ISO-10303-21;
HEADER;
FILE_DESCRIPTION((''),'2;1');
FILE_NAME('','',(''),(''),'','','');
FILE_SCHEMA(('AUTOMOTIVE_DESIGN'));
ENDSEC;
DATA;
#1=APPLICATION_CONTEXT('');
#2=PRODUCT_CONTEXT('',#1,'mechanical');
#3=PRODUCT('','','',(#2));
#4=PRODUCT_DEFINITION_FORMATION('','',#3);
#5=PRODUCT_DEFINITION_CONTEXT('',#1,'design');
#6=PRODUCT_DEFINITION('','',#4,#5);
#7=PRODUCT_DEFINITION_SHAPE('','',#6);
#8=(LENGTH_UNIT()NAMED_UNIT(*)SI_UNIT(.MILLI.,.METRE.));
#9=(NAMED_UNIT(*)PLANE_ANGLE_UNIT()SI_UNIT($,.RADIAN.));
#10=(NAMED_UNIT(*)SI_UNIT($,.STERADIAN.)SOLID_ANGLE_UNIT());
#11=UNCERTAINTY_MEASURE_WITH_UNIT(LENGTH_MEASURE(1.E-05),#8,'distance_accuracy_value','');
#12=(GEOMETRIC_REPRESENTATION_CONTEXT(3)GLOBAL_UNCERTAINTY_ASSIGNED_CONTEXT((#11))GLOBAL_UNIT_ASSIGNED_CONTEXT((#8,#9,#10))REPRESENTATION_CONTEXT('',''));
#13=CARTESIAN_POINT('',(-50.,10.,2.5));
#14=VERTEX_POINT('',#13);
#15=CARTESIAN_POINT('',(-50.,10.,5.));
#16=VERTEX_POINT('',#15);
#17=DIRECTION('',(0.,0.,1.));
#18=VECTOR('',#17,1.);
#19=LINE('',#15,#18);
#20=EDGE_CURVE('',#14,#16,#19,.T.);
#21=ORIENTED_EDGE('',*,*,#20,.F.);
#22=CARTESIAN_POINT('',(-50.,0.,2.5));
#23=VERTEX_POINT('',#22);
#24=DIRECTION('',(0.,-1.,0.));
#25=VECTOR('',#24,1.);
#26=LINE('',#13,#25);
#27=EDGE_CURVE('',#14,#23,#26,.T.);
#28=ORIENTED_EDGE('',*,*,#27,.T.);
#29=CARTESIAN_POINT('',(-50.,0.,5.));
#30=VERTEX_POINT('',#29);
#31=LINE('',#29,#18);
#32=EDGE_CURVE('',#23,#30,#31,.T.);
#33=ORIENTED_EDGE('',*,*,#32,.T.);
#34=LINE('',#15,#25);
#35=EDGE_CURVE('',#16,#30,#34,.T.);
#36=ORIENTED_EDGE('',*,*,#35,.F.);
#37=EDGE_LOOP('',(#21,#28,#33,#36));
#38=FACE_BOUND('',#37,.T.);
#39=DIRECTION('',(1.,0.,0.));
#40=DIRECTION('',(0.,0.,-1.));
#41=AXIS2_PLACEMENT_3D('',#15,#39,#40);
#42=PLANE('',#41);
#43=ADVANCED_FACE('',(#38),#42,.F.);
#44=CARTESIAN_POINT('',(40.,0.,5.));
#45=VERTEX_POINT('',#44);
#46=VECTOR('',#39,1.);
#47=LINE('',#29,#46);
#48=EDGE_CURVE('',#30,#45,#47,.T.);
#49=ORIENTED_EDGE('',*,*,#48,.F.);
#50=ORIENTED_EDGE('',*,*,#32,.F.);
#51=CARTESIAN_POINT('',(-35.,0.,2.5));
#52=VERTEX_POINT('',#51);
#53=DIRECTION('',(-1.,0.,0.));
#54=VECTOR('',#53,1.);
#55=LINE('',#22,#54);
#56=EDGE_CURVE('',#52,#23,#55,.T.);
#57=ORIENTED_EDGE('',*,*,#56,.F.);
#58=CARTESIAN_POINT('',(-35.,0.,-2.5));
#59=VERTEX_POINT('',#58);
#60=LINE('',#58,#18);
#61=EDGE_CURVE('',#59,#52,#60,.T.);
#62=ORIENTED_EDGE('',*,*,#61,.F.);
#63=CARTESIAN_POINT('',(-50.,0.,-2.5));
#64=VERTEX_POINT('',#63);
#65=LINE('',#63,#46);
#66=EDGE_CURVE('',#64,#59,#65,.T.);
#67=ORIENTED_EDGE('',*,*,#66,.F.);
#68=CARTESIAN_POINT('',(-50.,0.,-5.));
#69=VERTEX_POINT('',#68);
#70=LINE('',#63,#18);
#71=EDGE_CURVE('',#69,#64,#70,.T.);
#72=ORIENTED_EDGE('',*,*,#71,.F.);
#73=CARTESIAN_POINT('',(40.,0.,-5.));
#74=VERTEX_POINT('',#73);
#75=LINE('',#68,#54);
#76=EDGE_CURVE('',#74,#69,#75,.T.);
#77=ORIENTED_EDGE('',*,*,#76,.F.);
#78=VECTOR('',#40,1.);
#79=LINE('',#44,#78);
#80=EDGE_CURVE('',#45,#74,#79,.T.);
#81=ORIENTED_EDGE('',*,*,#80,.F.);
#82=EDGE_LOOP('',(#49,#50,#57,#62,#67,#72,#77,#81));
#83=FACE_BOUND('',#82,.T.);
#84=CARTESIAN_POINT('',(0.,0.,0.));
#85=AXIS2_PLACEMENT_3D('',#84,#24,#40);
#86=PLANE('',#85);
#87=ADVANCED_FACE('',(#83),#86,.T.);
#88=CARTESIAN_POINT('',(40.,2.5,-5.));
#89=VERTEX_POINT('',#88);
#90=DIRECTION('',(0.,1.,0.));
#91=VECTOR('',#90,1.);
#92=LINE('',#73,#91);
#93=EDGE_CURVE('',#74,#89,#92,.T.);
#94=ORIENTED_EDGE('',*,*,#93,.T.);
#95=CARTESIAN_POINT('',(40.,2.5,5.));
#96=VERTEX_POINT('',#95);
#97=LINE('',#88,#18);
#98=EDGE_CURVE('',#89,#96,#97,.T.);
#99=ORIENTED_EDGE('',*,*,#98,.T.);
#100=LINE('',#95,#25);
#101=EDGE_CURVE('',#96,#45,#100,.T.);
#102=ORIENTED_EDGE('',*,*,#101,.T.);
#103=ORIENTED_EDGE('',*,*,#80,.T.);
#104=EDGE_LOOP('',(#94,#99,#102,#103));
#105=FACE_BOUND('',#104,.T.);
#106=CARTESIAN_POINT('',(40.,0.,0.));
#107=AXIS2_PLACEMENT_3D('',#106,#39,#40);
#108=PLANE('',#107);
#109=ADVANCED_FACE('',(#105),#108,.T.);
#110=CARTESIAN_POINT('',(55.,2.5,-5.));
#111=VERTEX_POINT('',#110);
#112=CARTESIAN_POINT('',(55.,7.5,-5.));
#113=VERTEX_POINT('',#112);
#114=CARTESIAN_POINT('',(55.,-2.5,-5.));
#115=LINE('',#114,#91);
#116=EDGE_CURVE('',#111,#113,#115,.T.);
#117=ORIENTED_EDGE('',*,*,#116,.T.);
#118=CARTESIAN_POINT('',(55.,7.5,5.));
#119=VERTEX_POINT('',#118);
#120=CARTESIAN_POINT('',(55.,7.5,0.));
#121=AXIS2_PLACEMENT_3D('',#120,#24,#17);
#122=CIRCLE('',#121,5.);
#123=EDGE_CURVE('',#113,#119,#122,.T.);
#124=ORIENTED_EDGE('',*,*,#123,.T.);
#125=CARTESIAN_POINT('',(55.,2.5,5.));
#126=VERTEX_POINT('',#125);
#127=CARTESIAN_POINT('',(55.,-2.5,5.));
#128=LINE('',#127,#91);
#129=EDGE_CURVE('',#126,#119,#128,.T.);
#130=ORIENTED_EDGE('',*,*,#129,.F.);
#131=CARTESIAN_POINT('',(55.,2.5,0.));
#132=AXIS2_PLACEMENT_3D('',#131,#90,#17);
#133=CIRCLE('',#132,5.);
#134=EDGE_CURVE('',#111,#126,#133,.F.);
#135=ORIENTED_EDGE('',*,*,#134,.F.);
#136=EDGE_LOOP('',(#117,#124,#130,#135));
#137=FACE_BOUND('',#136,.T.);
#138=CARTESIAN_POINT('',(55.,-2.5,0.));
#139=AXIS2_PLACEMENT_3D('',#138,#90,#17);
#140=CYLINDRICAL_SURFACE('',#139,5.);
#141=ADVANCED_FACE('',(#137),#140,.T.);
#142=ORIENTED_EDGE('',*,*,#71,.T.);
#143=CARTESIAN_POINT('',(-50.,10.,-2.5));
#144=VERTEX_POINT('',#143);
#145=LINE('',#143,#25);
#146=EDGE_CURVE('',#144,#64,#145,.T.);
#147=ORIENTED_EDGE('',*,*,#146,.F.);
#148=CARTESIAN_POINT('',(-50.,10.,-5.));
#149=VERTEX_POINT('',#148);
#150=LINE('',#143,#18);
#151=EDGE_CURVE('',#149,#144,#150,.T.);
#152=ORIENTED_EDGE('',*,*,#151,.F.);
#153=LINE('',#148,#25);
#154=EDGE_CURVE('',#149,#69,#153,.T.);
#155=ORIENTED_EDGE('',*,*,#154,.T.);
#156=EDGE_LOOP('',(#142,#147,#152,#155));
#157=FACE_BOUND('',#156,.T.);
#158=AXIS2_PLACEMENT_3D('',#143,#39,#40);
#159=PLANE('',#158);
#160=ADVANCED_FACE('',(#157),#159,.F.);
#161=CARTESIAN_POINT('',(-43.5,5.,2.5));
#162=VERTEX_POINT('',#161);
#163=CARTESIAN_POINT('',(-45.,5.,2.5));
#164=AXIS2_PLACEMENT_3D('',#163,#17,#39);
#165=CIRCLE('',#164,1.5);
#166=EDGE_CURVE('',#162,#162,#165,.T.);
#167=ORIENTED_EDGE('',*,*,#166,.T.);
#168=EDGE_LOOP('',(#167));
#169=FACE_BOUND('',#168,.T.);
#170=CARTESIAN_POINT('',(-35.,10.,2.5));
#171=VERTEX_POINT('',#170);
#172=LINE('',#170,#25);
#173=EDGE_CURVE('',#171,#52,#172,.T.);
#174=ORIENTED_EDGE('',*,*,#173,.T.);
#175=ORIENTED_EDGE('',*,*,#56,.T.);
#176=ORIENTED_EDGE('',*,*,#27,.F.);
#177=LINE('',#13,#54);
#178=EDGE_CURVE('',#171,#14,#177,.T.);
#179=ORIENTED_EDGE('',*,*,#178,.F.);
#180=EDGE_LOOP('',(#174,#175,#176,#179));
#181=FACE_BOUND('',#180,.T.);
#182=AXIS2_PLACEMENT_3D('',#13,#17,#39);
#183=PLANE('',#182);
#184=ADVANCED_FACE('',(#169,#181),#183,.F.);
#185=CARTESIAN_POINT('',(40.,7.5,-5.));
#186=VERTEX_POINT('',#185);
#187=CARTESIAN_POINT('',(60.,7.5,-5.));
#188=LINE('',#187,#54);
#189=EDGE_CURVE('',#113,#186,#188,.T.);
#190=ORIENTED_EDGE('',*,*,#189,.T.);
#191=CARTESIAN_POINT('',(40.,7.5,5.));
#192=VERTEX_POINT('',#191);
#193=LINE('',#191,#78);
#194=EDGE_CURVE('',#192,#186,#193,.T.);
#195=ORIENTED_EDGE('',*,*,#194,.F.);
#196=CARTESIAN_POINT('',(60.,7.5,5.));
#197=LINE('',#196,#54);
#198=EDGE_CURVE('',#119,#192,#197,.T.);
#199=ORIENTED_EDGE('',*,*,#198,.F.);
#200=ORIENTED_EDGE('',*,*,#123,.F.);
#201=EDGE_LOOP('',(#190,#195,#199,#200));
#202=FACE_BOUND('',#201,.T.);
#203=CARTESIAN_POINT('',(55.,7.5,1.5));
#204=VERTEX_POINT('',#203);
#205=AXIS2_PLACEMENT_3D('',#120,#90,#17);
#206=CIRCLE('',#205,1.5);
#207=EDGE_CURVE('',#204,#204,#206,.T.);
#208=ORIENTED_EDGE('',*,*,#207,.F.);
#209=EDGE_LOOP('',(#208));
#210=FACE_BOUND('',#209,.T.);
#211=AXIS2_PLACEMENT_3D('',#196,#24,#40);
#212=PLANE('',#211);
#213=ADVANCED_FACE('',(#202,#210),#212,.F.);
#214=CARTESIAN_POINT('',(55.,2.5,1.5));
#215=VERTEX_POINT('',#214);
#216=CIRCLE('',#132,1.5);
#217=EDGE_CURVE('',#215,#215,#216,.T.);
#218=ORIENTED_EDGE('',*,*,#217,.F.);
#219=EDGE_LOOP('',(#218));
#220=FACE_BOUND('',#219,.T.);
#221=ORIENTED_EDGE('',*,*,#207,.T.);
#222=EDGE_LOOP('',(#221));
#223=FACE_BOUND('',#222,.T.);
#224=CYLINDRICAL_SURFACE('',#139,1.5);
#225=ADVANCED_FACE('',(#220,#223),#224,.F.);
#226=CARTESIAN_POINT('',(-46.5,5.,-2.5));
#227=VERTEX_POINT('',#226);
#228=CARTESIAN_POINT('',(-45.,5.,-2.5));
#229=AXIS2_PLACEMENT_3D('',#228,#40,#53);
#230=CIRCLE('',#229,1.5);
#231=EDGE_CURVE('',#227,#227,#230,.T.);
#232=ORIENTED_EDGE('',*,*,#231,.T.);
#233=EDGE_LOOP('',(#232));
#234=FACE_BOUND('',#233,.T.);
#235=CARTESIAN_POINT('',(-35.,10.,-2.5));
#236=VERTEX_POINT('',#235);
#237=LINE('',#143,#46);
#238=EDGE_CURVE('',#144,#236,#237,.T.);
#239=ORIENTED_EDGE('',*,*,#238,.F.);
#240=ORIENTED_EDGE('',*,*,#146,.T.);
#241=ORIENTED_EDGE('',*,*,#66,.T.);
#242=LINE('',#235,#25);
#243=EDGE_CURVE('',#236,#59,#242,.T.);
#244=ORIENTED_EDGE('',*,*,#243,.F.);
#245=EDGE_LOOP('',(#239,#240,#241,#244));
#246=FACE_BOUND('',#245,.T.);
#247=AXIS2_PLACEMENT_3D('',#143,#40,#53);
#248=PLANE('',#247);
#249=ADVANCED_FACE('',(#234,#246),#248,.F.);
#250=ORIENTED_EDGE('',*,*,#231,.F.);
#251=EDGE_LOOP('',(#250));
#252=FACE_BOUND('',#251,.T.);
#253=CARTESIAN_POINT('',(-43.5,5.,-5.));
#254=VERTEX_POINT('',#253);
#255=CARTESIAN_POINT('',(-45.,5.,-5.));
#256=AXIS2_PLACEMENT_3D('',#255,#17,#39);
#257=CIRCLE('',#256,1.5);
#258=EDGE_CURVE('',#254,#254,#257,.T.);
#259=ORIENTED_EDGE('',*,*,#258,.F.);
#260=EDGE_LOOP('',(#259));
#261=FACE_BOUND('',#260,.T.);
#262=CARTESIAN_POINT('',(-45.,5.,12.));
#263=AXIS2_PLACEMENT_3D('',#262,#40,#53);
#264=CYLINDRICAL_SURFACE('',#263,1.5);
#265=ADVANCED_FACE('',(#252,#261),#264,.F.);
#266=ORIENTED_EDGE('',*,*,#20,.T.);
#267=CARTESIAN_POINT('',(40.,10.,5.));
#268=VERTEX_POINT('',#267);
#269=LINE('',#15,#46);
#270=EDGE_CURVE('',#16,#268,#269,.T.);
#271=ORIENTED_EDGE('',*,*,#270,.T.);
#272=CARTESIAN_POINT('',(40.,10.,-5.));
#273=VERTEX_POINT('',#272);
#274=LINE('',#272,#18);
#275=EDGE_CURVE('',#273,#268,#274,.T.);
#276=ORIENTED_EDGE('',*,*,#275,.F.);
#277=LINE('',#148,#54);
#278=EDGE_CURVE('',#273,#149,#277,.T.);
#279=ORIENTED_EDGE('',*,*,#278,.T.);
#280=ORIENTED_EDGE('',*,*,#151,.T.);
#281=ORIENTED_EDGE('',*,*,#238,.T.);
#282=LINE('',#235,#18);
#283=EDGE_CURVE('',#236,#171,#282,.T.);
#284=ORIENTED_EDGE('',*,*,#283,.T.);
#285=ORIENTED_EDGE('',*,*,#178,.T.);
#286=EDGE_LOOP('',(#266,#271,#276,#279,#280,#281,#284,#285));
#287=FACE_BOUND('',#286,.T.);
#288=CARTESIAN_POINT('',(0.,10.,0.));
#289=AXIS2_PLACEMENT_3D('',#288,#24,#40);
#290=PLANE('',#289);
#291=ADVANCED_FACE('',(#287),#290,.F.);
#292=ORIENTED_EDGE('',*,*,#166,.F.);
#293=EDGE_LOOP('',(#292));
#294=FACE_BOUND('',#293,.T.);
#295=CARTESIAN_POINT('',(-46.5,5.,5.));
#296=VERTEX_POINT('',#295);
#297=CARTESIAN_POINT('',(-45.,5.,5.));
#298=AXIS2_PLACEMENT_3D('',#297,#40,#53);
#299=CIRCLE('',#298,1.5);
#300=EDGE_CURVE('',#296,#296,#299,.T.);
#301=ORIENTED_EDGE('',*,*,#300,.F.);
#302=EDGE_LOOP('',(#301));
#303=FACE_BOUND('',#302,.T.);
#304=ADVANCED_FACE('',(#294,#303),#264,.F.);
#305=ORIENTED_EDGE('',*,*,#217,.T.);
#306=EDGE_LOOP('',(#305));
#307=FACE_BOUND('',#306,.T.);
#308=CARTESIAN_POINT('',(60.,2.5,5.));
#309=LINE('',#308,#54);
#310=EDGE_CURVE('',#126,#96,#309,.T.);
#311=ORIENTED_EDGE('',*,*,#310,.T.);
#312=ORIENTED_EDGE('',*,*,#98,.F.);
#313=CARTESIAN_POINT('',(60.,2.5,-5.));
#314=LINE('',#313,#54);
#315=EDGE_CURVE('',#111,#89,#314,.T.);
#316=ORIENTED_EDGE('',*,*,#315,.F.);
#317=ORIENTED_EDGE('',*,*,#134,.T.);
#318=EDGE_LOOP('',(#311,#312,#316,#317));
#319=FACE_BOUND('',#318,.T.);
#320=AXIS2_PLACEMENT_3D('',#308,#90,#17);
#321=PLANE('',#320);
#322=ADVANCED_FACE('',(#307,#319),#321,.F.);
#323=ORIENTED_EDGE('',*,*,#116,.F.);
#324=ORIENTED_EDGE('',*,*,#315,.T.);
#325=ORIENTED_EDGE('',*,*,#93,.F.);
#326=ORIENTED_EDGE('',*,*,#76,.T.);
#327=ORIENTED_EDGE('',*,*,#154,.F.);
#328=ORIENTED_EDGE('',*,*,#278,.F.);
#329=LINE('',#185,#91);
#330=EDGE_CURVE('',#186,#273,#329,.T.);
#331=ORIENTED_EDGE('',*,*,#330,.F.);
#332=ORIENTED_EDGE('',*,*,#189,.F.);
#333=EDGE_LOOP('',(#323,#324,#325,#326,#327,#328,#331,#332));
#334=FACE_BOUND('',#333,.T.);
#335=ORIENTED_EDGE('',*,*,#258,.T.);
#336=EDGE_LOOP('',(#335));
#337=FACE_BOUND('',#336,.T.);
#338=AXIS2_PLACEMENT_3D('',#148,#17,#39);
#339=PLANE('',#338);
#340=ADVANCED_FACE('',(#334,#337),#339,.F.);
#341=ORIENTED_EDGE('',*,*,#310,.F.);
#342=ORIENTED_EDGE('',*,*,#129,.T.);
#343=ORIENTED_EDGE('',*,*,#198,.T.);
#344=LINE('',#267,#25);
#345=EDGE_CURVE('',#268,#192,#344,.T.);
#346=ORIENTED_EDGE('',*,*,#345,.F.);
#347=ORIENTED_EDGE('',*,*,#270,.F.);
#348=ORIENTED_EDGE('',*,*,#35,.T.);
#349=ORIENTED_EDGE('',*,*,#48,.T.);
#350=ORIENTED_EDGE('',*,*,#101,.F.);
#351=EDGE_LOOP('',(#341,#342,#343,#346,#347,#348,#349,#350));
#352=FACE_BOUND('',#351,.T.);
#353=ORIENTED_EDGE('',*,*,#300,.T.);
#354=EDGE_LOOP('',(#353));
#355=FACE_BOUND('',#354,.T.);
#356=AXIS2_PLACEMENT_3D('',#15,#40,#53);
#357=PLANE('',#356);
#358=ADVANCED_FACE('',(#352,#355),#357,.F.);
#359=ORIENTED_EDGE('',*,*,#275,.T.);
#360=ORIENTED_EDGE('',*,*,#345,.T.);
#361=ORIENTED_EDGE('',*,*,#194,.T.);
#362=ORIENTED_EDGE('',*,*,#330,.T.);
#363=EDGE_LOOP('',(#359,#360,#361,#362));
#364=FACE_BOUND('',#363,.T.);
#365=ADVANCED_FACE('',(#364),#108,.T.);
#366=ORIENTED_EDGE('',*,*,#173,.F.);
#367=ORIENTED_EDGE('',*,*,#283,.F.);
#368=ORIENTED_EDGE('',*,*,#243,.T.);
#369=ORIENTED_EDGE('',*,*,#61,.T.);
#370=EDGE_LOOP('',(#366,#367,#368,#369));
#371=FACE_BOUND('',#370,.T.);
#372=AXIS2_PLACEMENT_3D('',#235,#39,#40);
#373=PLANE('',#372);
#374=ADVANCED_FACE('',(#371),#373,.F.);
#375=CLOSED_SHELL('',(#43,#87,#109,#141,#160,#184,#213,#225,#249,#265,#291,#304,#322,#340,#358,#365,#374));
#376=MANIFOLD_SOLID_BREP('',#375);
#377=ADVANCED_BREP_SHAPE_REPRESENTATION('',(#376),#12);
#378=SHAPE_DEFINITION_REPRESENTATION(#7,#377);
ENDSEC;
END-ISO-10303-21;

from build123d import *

# Parameters (mm, degrees)
SALIENTE_EXTRUIR1_DEPTH = 10
CROQUIS2_W              = 10
CROQUIS2_H              = 5
SALIENTE_EXTRUIR2_DEPTH = 10
CROQUIS4_R              = 1.5
CORTAR_EXTRUIR1_DEPTH   = 10
CROQUIS5_R              = 1.5
CORTAR_EXTRUIR2_DEPTH   = 9.5
SKETCH1_W               = 10
SKETCH1_H               = 2.5
CUT_EXTRUDE1_DEPTH      = 10


with BuildPart() as part:
    # Croquis1 → Saliente-Extruir1 (new body)
    with BuildSketch(Plane(origin=(0, 0, 0), x_dir=(1, 0, 0), z_dir=(0, 1, 0))):
        Polygon((-50, 2.5), (-50, 5), (50, 5), (50, -5), (-50, -5), (-50, -2.5), (-35, -2.5), (-35, 2.5), align=None)
    extrude(amount=SALIENTE_EXTRUIR1_DEPTH)

    # Croquis2 → Saliente-Extruir2 (add)
    with BuildSketch(Plane(origin=(50, 0, 0), x_dir=(0, 0, -1), z_dir=(1, 0, 0))):
        with Locations((0, 5)):
            Rectangle(CROQUIS2_W, CROQUIS2_H)
    extrude(amount=SALIENTE_EXTRUIR2_DEPTH)

    # Croquis4 → Cortar-Extruir1 (cut)
    with BuildSketch(Plane(origin=(0, 7.5, 0), x_dir=(1, 0, 0), z_dir=(0, 1, 0))):
        with Locations(Location((55, 0, 0), (0, 0, 270))):
            Circle(CROQUIS4_R)
        with BuildLine():
            Line((55, 5), (55, 11.029230351))
            Line((55, 11.029230351), (66.142651686, 11.029230351))
            Line((66.142651686, 11.029230351), (66.142651686, -12.901676623))
            Line((66.142651686, -12.901676623), (58.757445268, -12.901676623))
            Line((58.757445268, -12.901676623), (55, -5))
            ThreePointArc((55, -5), (60, 0), (55, 5))
        make_face()
    extrude(amount=-CORTAR_EXTRUIR1_DEPTH, mode=Mode.SUBTRACT)

    # Croquis5 → Cortar-Extruir2 (cut, symmetric)
    with BuildSketch(Plane(origin=(0, 0, 2.5), x_dir=(-1, 0, 0), z_dir=(0, 0, -1))):
        with Locations((45, 5)):
            Circle(CROQUIS5_R)
    extrude(amount=CORTAR_EXTRUIR2_DEPTH, both=True, mode=Mode.SUBTRACT)

    # Sketch1 → Cut-Extrude1 (cut)
    with BuildSketch(Plane(origin=(50, 0, 0), x_dir=(0, 0, -1), z_dir=(1, 0, 0))):
        with Locations((0, 8.75)):
            Rectangle(SKETCH1_W, SKETCH1_H)
        with Locations((0, 1.25)):
            Rectangle(SKETCH1_W, SKETCH1_H)
    extrude(amount=-CUT_EXTRUDE1_DEPTH, mode=Mode.SUBTRACT)


solid = part.part
